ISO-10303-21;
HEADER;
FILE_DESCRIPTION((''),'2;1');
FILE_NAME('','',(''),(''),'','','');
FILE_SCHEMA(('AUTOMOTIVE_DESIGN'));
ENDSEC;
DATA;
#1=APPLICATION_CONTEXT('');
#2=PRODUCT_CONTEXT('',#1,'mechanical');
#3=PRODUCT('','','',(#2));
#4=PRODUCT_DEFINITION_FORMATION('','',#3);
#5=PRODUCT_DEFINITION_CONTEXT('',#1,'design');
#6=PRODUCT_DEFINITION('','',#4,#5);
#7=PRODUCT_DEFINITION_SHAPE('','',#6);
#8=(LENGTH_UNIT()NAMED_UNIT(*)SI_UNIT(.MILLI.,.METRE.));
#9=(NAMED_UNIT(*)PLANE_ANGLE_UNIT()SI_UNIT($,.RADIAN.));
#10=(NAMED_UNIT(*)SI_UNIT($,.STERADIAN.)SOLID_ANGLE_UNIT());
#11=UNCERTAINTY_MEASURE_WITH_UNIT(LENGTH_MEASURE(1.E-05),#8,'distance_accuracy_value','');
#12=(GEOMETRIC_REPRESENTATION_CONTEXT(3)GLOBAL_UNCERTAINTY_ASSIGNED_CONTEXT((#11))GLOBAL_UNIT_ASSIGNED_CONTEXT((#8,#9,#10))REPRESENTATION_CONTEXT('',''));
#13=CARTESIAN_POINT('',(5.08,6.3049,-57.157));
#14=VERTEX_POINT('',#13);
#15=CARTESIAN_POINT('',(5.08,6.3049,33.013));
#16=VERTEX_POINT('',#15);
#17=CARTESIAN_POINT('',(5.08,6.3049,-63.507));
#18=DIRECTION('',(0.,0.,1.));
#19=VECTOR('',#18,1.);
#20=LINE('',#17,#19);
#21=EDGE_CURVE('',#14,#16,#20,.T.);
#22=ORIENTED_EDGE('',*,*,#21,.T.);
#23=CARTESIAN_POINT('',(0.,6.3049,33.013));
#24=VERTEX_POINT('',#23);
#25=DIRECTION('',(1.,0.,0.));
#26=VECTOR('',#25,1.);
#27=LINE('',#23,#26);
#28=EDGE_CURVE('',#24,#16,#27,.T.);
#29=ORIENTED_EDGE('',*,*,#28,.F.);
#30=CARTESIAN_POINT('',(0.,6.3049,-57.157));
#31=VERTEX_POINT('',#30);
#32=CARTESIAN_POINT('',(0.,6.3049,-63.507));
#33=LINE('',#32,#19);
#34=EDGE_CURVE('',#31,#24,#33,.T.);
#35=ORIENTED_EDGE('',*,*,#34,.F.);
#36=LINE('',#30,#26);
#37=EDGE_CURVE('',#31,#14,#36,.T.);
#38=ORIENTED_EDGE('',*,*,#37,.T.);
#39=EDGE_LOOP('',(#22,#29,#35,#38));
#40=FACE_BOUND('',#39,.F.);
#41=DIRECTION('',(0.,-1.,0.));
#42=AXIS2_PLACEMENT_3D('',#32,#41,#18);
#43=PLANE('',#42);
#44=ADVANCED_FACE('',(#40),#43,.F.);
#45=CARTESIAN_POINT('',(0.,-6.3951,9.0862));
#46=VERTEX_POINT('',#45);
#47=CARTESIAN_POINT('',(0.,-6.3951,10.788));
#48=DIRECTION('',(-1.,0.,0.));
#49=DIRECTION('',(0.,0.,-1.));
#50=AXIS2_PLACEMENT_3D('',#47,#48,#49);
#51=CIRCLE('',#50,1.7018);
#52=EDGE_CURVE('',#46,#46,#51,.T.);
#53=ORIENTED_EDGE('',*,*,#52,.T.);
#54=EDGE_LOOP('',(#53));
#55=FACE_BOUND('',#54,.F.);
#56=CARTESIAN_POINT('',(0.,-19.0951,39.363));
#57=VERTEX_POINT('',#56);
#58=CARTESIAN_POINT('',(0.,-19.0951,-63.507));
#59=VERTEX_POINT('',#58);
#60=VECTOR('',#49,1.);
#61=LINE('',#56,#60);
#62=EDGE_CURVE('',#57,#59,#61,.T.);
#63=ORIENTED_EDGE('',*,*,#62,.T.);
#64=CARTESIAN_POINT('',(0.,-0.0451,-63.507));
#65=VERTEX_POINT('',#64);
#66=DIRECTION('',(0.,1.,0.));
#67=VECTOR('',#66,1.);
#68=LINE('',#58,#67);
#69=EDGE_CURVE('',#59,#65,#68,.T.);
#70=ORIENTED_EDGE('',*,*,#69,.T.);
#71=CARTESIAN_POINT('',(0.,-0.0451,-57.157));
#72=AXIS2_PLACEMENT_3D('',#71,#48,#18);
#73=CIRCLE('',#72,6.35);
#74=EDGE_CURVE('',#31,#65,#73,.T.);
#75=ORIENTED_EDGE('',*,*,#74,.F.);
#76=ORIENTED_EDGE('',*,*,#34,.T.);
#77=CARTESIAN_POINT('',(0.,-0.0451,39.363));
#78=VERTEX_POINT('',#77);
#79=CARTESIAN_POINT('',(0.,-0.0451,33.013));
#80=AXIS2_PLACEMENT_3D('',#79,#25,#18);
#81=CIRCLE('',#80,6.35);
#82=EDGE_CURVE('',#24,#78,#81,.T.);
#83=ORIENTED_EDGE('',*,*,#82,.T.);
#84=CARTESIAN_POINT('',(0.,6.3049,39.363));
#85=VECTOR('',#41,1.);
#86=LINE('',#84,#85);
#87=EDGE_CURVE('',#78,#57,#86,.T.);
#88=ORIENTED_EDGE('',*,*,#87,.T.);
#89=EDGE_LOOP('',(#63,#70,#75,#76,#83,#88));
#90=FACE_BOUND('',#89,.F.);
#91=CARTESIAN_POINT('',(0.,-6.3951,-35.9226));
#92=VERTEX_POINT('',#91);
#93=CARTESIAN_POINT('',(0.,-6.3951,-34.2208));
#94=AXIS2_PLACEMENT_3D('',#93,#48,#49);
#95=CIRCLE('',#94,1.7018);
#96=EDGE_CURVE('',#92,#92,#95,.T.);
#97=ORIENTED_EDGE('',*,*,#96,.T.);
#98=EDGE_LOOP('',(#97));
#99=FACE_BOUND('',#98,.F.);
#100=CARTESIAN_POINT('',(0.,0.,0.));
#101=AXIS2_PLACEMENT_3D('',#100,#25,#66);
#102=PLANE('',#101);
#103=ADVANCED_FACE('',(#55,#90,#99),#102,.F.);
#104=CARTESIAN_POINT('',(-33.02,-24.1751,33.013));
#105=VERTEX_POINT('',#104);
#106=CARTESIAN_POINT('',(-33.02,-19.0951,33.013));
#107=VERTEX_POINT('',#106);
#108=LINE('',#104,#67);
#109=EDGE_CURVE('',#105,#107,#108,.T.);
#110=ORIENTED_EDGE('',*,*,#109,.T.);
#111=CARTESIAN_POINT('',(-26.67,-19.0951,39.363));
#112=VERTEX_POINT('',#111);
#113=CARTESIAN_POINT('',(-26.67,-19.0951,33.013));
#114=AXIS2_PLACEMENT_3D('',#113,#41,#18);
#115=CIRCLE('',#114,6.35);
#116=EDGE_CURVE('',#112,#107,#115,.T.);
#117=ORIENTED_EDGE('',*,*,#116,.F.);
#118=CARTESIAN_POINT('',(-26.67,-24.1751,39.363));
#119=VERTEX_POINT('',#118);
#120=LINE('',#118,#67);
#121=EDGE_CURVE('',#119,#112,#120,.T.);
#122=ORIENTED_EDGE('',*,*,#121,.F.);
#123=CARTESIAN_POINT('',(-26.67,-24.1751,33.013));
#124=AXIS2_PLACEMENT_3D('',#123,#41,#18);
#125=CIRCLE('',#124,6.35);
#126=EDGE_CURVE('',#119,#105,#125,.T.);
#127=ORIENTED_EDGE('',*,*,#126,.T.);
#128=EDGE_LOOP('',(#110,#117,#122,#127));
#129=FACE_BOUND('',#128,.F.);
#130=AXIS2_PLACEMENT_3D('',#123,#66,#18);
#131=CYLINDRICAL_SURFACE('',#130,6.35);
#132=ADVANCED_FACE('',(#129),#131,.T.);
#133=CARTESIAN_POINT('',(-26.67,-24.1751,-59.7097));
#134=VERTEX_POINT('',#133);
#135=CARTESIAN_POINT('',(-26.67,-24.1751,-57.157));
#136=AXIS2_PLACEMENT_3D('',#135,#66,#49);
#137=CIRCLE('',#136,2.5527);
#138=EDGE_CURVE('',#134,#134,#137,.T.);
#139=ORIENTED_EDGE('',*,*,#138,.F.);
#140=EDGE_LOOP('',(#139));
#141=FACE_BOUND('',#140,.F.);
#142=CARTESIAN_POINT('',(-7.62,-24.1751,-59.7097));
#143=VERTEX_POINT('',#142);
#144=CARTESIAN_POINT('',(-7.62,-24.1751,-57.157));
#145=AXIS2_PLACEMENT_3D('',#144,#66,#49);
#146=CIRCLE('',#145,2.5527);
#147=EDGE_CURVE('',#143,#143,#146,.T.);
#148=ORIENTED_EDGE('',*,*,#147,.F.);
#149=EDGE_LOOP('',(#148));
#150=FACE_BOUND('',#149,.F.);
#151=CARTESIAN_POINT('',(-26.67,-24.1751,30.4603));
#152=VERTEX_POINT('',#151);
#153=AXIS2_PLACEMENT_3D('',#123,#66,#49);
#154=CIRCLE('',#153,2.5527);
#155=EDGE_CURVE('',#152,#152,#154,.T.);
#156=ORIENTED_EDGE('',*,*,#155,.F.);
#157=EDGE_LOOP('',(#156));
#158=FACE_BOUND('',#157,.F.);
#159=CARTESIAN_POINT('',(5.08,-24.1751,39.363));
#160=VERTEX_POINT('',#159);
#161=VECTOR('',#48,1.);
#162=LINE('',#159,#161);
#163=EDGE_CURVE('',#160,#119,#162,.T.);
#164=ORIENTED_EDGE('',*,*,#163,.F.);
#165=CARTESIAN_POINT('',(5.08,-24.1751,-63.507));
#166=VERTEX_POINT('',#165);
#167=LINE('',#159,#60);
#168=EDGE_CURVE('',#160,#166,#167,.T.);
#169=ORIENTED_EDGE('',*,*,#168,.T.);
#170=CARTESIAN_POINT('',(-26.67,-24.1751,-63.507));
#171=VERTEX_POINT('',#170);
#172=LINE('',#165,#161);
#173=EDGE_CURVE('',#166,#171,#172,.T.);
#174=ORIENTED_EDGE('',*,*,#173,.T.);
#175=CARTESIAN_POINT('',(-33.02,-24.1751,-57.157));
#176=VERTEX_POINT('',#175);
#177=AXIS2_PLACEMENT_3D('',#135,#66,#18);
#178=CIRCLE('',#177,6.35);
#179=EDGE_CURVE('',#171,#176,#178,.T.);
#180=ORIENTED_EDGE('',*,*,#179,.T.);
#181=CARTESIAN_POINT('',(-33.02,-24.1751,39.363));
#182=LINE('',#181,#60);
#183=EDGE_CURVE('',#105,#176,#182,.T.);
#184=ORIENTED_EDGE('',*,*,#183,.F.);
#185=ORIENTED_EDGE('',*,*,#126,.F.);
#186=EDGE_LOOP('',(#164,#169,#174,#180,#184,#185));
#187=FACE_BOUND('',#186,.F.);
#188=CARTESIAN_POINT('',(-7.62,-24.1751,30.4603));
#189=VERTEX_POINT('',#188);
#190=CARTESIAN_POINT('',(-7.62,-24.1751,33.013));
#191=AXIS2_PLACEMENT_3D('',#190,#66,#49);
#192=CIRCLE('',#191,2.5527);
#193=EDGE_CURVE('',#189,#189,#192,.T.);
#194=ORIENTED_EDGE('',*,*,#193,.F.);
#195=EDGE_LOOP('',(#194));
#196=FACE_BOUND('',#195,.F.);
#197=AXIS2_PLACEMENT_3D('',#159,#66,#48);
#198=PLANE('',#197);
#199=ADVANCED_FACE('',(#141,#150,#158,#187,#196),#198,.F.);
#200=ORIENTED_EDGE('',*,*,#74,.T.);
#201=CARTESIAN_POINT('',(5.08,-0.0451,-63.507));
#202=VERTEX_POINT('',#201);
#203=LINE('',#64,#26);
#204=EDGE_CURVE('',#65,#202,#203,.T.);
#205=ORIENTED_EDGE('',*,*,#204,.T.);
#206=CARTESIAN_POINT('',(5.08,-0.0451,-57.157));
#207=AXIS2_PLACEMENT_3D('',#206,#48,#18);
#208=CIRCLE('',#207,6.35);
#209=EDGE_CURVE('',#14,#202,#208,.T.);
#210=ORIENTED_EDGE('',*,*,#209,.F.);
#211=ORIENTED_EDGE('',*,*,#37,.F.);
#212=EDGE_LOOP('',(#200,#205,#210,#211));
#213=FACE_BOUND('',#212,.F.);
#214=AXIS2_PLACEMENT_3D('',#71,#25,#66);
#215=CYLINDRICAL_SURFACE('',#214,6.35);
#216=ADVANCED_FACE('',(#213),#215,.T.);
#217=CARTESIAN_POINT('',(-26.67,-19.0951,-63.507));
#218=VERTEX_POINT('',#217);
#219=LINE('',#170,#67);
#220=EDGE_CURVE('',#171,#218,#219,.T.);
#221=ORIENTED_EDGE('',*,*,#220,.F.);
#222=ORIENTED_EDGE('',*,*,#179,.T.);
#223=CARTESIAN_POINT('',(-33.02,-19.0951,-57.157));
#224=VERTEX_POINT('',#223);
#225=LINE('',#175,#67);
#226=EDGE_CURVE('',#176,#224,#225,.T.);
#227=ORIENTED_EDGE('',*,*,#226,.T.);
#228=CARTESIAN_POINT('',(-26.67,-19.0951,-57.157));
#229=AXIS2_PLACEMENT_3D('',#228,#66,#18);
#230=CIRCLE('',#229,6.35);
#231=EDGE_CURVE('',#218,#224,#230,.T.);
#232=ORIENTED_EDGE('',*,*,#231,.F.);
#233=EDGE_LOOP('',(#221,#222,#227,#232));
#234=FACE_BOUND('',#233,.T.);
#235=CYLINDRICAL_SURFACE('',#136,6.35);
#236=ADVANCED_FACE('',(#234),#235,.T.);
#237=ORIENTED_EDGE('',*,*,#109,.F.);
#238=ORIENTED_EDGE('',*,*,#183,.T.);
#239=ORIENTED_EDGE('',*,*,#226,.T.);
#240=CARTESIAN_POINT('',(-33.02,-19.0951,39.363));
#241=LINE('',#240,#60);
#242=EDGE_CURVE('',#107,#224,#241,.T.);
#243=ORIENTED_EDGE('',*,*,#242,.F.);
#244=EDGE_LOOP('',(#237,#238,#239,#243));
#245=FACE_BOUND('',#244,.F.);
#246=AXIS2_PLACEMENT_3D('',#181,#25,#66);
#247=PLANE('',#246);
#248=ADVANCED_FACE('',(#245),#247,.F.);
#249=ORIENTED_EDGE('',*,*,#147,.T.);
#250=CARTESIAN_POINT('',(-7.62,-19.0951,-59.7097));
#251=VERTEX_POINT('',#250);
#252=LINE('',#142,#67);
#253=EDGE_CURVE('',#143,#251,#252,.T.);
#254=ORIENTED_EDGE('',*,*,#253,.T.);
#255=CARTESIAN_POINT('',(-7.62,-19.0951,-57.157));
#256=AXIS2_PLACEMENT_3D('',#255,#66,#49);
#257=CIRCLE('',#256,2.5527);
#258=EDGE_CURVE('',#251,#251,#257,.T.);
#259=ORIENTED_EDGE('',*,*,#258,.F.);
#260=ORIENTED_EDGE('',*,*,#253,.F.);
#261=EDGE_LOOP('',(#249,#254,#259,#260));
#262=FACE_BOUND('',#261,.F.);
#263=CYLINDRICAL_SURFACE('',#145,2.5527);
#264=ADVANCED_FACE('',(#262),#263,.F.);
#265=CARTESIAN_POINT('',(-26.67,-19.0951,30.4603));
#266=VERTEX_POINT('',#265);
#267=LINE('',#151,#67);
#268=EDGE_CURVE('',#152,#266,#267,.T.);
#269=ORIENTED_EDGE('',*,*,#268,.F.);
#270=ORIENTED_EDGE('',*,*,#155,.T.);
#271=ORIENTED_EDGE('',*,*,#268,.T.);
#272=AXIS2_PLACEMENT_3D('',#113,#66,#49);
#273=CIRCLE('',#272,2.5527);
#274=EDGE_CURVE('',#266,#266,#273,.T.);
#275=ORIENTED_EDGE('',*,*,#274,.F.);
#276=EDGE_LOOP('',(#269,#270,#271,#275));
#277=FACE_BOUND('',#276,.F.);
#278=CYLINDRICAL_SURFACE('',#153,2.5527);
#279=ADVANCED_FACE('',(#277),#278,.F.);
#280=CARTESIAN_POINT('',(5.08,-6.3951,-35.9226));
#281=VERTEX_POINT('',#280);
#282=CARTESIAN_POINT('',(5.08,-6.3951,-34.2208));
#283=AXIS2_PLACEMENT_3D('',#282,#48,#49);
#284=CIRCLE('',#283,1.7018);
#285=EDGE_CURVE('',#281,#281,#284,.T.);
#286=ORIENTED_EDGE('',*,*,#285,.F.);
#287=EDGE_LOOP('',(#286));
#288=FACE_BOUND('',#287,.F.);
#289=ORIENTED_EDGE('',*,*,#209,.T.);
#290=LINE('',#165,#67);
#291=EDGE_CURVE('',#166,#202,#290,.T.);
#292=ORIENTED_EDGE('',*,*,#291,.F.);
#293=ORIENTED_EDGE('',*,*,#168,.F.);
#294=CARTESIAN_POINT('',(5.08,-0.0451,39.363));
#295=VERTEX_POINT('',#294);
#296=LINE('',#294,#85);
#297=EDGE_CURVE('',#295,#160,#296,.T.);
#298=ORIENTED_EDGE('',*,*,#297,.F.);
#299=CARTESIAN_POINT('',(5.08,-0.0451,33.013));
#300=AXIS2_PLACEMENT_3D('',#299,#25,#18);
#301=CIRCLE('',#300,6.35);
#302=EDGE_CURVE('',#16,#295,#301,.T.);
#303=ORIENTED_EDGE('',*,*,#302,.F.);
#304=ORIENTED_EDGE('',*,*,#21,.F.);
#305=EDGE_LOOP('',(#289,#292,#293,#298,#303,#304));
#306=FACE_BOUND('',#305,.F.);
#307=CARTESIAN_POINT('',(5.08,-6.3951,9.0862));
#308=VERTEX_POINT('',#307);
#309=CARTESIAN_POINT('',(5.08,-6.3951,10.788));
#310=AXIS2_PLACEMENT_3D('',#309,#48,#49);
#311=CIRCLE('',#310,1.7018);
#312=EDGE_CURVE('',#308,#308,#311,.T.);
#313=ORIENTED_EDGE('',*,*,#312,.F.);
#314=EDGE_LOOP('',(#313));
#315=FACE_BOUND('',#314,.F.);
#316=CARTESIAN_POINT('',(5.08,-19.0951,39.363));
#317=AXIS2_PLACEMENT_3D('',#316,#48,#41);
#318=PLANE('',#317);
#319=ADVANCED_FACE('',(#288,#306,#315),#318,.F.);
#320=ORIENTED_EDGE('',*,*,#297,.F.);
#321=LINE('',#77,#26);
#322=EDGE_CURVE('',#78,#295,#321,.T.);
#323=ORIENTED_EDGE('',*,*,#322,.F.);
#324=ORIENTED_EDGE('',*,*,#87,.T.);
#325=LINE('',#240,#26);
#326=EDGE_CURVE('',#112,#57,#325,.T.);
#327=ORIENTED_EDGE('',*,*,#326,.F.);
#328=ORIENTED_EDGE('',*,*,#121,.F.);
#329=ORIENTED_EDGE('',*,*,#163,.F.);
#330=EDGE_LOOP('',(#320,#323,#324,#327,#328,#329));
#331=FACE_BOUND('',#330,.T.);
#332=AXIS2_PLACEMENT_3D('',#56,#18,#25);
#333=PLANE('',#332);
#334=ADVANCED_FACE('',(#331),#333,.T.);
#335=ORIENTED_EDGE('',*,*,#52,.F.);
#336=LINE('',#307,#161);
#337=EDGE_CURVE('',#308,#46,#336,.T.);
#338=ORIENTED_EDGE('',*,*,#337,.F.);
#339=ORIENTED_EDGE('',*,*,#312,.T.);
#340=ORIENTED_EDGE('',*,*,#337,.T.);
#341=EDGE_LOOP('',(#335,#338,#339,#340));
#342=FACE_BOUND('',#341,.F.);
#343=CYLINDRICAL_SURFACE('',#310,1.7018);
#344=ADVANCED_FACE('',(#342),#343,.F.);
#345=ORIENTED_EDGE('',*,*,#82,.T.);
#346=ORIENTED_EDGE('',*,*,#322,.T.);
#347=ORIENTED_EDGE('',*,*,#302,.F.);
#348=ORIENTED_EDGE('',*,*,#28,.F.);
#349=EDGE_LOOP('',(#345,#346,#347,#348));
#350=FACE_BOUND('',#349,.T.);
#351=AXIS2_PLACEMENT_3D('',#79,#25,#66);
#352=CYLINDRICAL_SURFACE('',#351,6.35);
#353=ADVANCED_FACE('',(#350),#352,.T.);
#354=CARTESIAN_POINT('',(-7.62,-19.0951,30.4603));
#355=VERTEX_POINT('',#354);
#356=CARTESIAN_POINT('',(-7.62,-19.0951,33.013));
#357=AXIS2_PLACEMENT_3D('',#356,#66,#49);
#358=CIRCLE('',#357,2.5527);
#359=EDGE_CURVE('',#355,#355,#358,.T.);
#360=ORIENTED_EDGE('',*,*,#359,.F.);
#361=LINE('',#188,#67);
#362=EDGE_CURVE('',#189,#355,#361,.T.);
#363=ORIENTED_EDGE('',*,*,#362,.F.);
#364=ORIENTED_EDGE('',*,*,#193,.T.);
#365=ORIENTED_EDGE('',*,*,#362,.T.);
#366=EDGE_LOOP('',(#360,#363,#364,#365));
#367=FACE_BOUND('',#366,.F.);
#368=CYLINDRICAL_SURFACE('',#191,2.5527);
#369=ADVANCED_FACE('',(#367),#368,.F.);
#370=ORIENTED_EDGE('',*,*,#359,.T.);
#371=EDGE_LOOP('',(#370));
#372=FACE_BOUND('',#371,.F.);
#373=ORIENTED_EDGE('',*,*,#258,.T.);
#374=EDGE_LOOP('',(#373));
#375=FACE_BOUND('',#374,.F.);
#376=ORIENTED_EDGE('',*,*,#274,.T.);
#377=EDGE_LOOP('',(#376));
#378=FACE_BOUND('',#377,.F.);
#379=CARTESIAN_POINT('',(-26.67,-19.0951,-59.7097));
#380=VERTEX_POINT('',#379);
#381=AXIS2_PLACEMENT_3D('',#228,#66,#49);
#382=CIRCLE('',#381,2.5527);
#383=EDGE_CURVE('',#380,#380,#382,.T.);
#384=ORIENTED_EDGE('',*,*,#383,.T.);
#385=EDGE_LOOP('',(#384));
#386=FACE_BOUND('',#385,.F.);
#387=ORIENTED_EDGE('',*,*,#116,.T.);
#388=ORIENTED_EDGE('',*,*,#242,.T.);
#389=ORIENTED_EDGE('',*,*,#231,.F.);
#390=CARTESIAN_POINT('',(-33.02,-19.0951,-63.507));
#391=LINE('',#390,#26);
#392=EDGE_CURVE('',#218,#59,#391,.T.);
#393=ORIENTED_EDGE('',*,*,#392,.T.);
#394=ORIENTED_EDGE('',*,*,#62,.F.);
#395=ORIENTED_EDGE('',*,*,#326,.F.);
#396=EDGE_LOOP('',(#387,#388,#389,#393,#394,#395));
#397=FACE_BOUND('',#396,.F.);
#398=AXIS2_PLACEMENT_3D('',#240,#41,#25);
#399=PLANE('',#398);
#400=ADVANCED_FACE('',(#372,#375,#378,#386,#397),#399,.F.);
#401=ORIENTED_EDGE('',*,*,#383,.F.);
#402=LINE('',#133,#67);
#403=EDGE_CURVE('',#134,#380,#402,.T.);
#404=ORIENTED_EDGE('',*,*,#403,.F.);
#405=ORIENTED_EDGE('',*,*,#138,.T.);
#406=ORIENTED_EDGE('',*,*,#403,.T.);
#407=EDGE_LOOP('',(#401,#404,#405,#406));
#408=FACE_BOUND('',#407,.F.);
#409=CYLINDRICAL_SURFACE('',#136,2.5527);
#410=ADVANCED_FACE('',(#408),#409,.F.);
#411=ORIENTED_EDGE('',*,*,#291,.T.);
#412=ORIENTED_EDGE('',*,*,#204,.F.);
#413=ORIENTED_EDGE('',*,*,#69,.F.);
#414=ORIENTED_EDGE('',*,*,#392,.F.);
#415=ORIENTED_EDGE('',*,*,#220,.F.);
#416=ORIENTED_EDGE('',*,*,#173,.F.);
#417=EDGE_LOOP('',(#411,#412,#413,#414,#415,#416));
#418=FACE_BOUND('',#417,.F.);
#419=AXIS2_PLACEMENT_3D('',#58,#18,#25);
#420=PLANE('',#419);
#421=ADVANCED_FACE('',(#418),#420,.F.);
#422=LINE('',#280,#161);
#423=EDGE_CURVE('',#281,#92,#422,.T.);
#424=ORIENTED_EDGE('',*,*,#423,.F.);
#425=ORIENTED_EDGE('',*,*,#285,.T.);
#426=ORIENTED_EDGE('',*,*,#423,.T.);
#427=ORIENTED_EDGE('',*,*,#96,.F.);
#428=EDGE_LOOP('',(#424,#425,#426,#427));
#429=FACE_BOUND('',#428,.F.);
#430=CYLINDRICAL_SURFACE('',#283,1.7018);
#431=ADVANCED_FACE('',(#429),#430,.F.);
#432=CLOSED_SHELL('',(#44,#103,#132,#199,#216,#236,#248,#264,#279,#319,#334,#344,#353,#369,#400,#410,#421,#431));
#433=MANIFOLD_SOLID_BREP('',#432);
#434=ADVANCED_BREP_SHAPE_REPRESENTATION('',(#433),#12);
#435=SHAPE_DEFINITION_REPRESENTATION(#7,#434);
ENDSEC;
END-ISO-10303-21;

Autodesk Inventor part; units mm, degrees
ref_plane "YZ Plane" through (0, 0, 0) normal (1, 0, 0) x (0, 1, 0)
ref_plane "XZ Plane" through (0, 0, 0) normal (0, 1, 0) x (-1, 0, 0)
ref_plane "XY Plane" through (0, 0, 0) normal (0, 0, 1) x (1, 0, 0)
sketch "Sketch1" plane through (0, 0, 0) normal (1, 0, 0) x (0, 1, 0)
  line L0 (6.3049, 39.363) -> (-19.0951, 39.363)
  line L1 (-19.0951, 39.363) -> (-19.0951, -63.507)
  line L2 (-19.0951, -63.507) -> (6.3049, -63.507)
  line L3 (6.3049, -63.507) -> (6.3049, 39.363)
  point P0 (0, 0)
  dimension "d0" = 102.87
  dimension "d1" = 25.4
extrude "Extrusion1" add sketch "Sketch1" along normal blind 5.08
fillet "Fillet1" radius 6.35 2 edges at (2.54, 6.3049, 39.363) (2.54, 6.3049, -63.507)
sketch "Sketch7" plane through (0, -19.0951, 39.363) normal (0, 0, 1) x (1, 0, 0)
  line L0 (0, 0) -> (5.08, 0)
  line L1 (5.08, 0) -> (5.08, -5.08)
  line L2 (5.08, -5.08) -> (-33.02, -5.08)
  line L3 (-33.02, -5.08) -> (-33.02, 0)
  line L4 (-33.02, 0) -> (0, 0)
  line L5 (0, 0) -> (0, 0)
  line L6 (0, 0) -> (5.08, 0) projected
  line L7 (0, 19.05) -> (0, 0) projected
  point P0 (0, 19.0951)
  dimension "d51" = 5.08
  dimension "d52" = 5.08
  dimension "d53" = 90
  dimension "d54" = 5.08
  dimension "d55" = 38.1
  dimension "d56" = 0
  dimension "d57" = 0
extrude "Extrusion4" add sketch "Sketch7" against normal blind 102.87
fillet "Fillet2" radius 6.35 2 edges at (-33.02, -21.6351, -63.507) (-33.02, -21.6351, 39.363)
sketch "Sketch15" plane through (5.08, 0, 0) normal (1, 0, 0) x (0, 0, -1)
  line L0 (-39.363, -0.0451) -> (-39.363, -24.1751) projected
  line L1 (63.507, -0.0451) -> (63.507, -24.1751) projected
  line L2 (57.157, 6.3049) -> (-33.013, 6.3049) projected
  point P0 (0, 0)
  point P1 (-10.788, -6.3951)
  point P2 (34.2208, -6.3951)
  dimension "d143" = 0
  dimension "d144" = 45.0088
  dimension "d145" = 28.575
  dimension "d146" = 29.2862
  dimension "d147" = 12.7
hole "Hole7" at (5.08, -6.3951, 10.788) at (5.08, -6.3951, -34.2208) direction (-1, 0, 0) diameter 3.4036 depth 25.4 tip angle 118 clearance for "Flat Head Machine Screw" size "M3" standard "Ansi Metric M Profile"
sketch "Sketch16" plane through (5.08, -24.1751, -63.507) normal (0, -1, 0) x (1, 0, 0)
  line L0 (0, 102.87) -> (0, 0) projected
  line L1 (0, 102.87) -> (-31.75, 102.87) projected
  line L2 (-38.1, 96.52) -> (-38.1, 6.35) projected
  line L3 (0, 0) -> (-31.75, 0) projected
  point P0 (-5.08, 63.507)
  point P1 (-12.7, 96.52)
  point P2 (-31.75, 96.52)
  point P3 (-31.75, 6.35)
  point P4 (-12.7, 6.35)
  dimension "d155" = 0
  dimension "d156" = 0
  dimension "d157" = 0
  dimension "d158" = 0
  dimension "d159" = 12.7
  dimension "d160" = 6.35
  dimension "d161" = 6.35
  dimension "d162" = 6.35
hole "Hole8" at (-7.62, -24.1751, 33.013) at (-26.67, -24.1751, 33.013) at (-26.67, -24.1751, -57.157) at (-7.62, -24.1751, -57.157) direction (0, 1, 0) diameter 5.1054 depth 25.4 tip angle 118 clearance for "Flat Head Machine Screw (82)" size "#10" standard "Ansi Unified Screw Threads"
properties part number "Realsense"
